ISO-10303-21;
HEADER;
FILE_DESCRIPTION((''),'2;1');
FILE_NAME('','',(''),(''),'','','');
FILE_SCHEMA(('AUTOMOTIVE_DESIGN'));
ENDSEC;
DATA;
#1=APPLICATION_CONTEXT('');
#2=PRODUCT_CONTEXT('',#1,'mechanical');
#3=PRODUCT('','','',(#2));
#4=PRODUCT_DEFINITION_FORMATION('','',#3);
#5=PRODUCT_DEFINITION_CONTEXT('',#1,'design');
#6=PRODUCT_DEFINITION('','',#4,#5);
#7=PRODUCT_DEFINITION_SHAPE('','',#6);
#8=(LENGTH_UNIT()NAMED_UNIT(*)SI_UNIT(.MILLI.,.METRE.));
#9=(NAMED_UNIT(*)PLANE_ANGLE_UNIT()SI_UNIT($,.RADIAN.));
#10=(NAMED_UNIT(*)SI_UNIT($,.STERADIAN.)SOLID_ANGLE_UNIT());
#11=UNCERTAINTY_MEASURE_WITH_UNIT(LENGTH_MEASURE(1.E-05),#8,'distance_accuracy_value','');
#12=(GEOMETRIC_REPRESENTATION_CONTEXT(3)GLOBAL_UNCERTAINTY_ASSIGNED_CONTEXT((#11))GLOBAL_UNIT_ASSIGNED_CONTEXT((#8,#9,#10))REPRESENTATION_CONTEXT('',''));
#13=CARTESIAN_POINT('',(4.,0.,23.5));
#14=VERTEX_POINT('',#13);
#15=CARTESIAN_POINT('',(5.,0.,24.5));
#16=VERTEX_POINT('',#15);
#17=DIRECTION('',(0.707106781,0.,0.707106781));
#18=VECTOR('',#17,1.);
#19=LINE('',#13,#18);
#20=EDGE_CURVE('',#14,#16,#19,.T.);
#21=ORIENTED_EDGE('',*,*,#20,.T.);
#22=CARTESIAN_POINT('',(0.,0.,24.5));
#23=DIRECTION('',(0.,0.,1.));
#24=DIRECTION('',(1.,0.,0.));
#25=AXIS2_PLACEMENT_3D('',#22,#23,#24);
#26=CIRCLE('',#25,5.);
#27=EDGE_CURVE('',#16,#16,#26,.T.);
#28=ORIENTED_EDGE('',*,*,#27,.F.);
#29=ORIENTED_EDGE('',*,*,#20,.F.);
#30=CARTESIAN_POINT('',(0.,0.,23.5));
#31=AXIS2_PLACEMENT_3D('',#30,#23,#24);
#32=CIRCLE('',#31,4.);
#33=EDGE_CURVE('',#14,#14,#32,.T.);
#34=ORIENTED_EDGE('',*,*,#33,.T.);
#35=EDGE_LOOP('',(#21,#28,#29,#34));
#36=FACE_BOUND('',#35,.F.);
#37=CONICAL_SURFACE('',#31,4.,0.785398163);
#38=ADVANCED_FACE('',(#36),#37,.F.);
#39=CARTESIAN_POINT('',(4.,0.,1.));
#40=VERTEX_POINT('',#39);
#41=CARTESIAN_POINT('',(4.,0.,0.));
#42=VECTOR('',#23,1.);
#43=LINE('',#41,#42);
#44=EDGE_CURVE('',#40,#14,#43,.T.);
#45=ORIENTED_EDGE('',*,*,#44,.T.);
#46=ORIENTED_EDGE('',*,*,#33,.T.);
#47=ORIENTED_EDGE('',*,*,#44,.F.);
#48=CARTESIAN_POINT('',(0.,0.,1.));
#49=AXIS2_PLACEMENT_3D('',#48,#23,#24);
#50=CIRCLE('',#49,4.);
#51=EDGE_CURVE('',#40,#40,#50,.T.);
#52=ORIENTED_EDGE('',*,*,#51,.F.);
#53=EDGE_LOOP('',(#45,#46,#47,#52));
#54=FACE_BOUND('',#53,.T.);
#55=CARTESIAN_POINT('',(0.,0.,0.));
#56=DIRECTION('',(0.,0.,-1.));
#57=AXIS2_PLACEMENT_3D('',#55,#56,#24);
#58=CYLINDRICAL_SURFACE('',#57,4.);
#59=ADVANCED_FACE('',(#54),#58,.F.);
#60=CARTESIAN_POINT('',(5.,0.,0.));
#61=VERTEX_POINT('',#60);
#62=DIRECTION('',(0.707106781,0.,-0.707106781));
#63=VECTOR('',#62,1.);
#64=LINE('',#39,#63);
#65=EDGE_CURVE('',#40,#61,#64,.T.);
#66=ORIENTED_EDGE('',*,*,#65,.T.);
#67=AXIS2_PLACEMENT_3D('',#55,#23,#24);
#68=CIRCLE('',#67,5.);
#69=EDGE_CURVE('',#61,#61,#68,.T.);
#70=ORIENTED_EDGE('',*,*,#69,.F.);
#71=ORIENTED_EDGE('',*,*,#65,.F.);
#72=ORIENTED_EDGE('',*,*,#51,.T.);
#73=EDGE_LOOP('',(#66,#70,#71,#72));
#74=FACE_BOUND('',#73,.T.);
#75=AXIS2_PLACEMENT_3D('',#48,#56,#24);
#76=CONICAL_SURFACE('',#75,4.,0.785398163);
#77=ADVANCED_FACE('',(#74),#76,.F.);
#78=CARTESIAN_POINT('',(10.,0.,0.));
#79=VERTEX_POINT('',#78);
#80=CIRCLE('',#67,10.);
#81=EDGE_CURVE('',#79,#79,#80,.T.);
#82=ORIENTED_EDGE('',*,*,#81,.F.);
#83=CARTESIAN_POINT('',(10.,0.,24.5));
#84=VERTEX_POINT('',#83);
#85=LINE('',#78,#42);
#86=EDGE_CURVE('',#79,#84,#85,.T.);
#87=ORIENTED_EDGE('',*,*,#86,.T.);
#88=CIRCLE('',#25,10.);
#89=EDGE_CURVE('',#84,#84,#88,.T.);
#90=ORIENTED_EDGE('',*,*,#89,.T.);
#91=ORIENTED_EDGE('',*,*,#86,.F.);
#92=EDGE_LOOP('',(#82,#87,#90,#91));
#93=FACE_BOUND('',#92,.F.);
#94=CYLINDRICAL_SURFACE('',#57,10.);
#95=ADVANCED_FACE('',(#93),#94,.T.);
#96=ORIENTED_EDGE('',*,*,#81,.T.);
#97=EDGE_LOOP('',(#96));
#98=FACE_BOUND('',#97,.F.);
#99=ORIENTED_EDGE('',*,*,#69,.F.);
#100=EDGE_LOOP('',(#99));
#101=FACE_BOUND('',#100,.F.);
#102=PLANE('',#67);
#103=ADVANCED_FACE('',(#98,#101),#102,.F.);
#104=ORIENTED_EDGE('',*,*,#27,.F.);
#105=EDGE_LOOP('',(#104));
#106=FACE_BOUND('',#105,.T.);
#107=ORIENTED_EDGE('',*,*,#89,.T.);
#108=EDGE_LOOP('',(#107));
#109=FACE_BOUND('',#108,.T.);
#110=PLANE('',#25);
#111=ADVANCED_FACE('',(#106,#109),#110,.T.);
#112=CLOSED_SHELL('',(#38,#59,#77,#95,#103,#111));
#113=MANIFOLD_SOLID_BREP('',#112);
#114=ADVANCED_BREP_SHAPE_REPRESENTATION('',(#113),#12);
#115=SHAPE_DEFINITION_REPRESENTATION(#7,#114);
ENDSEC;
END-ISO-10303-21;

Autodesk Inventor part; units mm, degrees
ref_plane "YZ Plane" through (0, 0, 0) normal (1, 0, 0) x (0, 1, 0)
ref_plane "XZ Plane" through (0, 0, 0) normal (0, 1, 0) x (-1, 0, 0)
ref_plane "XY Plane" through (0, 0, 0) normal (0, 0, 1) x (1, 0, 0)
sketch "Sketch1" plane through (0, 0, 0) normal (0, 0, 1) x (1, 0, 0)
  circle A0 centre (0, 0) radius 10
  line L0 (0, 0) -> (0, 17.2098) construction
  line L1 (0, 0) -> (32.391, 0) construction
  circle A1 centre (0, 0) radius 4
  dimension "d0" = 20
  dimension "d1" = 8
extrude "Extrusion1" add sketch "Sketch1" along normal blind 24.5
chamfer "Chamfer1" distance 1 angle 45 2 edges at (-4, 0, 24.5) (-4, 0, 0)
properties part number "LeadScrewBase"
